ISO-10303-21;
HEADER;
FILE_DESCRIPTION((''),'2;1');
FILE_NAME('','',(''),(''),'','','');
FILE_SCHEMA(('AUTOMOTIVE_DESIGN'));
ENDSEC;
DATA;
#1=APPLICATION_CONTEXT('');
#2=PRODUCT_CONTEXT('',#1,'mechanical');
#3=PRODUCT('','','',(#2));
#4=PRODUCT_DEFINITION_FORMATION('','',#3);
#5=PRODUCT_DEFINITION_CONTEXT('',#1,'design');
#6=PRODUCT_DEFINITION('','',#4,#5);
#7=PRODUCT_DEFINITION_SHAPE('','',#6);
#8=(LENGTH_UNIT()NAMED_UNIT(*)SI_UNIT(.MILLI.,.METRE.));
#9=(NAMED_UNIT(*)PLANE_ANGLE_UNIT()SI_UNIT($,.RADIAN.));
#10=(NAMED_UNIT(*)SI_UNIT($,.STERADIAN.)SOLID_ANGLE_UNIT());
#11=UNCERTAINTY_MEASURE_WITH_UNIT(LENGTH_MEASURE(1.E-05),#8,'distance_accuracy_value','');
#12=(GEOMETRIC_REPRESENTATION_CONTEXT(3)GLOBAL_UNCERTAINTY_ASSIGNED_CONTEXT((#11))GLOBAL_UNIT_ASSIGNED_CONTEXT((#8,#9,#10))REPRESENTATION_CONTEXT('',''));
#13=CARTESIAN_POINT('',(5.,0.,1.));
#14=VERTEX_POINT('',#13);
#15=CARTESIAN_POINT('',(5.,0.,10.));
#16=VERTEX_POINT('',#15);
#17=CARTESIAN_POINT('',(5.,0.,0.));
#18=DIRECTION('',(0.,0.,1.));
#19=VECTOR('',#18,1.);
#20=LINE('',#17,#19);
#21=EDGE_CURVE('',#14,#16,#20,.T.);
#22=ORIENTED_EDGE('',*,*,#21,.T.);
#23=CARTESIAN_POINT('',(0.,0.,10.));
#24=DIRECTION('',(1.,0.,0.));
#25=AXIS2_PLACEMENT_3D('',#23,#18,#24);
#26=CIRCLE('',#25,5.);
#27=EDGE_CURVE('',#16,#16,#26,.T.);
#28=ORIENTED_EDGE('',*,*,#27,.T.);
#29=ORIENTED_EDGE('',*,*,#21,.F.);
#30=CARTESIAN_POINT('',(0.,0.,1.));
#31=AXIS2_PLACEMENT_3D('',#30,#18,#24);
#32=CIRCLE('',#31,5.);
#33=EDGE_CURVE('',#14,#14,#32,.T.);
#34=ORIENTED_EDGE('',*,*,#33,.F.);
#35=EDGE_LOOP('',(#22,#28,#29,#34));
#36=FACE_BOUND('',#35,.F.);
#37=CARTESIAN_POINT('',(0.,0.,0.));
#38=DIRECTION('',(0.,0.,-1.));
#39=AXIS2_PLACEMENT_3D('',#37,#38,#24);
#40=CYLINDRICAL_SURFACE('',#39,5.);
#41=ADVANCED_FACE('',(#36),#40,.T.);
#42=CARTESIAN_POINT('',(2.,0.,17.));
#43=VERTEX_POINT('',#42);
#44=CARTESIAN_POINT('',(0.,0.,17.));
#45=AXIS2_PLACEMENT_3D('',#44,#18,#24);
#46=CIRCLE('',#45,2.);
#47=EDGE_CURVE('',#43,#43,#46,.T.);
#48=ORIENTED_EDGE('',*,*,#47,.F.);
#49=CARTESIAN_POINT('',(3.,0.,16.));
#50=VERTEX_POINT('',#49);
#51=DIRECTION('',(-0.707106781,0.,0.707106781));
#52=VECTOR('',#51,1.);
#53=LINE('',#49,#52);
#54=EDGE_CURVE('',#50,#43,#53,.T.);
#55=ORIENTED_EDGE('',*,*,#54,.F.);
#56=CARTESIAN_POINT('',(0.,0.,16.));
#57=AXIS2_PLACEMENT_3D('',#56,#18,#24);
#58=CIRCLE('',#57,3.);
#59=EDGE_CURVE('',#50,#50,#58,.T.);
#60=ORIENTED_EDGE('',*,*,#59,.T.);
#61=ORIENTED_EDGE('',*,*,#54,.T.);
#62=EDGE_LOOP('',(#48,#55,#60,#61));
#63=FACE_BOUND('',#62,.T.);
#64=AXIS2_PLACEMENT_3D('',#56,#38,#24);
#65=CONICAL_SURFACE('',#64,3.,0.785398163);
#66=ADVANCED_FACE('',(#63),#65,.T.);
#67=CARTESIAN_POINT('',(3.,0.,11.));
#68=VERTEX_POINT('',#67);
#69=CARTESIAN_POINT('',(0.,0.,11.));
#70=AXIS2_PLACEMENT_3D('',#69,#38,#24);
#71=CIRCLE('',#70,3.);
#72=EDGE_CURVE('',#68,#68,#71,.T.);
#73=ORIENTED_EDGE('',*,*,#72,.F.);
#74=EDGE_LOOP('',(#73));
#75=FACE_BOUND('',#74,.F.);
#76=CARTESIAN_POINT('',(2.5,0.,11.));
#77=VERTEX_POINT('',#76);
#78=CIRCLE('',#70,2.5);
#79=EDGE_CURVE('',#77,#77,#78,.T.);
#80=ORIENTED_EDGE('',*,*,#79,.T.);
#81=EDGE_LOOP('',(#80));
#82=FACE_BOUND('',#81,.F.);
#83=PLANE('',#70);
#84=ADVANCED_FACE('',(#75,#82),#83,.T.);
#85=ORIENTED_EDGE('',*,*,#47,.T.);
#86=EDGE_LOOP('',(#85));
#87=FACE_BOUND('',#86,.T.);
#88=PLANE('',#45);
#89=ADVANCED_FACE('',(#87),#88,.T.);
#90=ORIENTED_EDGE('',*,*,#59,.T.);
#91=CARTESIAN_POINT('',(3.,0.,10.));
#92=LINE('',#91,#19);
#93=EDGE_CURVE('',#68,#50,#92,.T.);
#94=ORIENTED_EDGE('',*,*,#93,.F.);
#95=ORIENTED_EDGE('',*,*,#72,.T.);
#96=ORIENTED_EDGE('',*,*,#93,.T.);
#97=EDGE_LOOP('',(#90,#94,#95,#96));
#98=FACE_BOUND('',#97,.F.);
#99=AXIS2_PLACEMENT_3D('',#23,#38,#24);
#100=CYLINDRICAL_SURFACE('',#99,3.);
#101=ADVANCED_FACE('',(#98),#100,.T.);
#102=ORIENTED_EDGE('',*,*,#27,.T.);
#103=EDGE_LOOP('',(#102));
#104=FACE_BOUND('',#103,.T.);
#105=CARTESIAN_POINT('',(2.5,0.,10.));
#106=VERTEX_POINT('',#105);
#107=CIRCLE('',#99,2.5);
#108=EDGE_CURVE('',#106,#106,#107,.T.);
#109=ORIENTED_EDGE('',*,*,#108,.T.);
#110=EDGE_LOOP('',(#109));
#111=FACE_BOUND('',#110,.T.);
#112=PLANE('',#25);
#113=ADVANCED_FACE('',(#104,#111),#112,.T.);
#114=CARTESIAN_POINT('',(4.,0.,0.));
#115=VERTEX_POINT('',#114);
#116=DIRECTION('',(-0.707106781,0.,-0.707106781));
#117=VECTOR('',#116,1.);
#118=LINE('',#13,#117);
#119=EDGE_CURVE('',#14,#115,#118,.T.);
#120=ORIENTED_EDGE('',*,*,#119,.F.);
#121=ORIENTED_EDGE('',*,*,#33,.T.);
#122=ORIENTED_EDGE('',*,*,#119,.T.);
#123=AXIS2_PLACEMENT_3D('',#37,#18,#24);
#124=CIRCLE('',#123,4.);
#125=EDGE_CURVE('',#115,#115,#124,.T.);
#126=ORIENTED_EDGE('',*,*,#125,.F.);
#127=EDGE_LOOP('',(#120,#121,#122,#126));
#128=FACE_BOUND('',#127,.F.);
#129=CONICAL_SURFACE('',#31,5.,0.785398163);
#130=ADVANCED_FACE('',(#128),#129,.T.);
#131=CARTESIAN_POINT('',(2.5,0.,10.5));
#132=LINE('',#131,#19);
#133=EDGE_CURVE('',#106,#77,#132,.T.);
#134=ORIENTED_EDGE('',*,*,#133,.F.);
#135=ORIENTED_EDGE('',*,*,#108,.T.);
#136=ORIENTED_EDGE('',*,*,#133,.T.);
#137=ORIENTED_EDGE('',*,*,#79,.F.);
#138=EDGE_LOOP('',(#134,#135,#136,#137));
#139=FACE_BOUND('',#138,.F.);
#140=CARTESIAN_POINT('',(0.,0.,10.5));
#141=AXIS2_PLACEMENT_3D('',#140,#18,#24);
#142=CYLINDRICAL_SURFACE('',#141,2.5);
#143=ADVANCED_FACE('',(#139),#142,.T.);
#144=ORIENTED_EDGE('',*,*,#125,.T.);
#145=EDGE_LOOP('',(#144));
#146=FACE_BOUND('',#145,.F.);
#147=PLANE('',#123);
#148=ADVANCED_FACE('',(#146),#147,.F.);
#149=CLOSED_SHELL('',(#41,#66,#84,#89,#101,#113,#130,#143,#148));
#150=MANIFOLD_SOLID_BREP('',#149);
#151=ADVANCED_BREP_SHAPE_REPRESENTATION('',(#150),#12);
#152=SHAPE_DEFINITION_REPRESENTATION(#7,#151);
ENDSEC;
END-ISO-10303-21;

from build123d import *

# Parameters (mm, degrees)
F0_R     = 5
F1_DEPTH = 10
F2_R     = 3
F3_DEPTH = 7
F4_W     = 0.5
F4_H     = 1
F6_SIZE  = 1
F7_SIZE  = 1


with BuildPart() as f1:
    # F0 (on Top) → F1 (new body)
    with BuildSketch(Plane.XY):
        Circle(F0_R)
    extrude(amount=F1_DEPTH)

    # F2 (on face) → F3 (join)
    with BuildSketch(Plane.XY.offset(10)):
        Circle(F2_R)
    extrude(amount=F3_DEPTH)

    # F4 (on Front) → F5 (revolve, cut)
    with BuildSketch(Plane.XZ):
        with Locations((2.75, 10.5)):
            Rectangle(F4_W, F4_H)
    revolve(axis=Axis((0, 0, 10), (0, 0, -1)), mode=Mode.SUBTRACT)

    # F6
    f6_edges = [f1.edges().sort_by_distance(p)[0] for p in [
        (-3, 0, 17),
    ]]
    chamfer(f6_edges, length=F6_SIZE)

    # F7
    f7_edges = [f1.edges().sort_by_distance(p)[0] for p in [
        (-5, 0, 0),
    ]]
    chamfer(f7_edges, length=F7_SIZE)


solid = f1.part
